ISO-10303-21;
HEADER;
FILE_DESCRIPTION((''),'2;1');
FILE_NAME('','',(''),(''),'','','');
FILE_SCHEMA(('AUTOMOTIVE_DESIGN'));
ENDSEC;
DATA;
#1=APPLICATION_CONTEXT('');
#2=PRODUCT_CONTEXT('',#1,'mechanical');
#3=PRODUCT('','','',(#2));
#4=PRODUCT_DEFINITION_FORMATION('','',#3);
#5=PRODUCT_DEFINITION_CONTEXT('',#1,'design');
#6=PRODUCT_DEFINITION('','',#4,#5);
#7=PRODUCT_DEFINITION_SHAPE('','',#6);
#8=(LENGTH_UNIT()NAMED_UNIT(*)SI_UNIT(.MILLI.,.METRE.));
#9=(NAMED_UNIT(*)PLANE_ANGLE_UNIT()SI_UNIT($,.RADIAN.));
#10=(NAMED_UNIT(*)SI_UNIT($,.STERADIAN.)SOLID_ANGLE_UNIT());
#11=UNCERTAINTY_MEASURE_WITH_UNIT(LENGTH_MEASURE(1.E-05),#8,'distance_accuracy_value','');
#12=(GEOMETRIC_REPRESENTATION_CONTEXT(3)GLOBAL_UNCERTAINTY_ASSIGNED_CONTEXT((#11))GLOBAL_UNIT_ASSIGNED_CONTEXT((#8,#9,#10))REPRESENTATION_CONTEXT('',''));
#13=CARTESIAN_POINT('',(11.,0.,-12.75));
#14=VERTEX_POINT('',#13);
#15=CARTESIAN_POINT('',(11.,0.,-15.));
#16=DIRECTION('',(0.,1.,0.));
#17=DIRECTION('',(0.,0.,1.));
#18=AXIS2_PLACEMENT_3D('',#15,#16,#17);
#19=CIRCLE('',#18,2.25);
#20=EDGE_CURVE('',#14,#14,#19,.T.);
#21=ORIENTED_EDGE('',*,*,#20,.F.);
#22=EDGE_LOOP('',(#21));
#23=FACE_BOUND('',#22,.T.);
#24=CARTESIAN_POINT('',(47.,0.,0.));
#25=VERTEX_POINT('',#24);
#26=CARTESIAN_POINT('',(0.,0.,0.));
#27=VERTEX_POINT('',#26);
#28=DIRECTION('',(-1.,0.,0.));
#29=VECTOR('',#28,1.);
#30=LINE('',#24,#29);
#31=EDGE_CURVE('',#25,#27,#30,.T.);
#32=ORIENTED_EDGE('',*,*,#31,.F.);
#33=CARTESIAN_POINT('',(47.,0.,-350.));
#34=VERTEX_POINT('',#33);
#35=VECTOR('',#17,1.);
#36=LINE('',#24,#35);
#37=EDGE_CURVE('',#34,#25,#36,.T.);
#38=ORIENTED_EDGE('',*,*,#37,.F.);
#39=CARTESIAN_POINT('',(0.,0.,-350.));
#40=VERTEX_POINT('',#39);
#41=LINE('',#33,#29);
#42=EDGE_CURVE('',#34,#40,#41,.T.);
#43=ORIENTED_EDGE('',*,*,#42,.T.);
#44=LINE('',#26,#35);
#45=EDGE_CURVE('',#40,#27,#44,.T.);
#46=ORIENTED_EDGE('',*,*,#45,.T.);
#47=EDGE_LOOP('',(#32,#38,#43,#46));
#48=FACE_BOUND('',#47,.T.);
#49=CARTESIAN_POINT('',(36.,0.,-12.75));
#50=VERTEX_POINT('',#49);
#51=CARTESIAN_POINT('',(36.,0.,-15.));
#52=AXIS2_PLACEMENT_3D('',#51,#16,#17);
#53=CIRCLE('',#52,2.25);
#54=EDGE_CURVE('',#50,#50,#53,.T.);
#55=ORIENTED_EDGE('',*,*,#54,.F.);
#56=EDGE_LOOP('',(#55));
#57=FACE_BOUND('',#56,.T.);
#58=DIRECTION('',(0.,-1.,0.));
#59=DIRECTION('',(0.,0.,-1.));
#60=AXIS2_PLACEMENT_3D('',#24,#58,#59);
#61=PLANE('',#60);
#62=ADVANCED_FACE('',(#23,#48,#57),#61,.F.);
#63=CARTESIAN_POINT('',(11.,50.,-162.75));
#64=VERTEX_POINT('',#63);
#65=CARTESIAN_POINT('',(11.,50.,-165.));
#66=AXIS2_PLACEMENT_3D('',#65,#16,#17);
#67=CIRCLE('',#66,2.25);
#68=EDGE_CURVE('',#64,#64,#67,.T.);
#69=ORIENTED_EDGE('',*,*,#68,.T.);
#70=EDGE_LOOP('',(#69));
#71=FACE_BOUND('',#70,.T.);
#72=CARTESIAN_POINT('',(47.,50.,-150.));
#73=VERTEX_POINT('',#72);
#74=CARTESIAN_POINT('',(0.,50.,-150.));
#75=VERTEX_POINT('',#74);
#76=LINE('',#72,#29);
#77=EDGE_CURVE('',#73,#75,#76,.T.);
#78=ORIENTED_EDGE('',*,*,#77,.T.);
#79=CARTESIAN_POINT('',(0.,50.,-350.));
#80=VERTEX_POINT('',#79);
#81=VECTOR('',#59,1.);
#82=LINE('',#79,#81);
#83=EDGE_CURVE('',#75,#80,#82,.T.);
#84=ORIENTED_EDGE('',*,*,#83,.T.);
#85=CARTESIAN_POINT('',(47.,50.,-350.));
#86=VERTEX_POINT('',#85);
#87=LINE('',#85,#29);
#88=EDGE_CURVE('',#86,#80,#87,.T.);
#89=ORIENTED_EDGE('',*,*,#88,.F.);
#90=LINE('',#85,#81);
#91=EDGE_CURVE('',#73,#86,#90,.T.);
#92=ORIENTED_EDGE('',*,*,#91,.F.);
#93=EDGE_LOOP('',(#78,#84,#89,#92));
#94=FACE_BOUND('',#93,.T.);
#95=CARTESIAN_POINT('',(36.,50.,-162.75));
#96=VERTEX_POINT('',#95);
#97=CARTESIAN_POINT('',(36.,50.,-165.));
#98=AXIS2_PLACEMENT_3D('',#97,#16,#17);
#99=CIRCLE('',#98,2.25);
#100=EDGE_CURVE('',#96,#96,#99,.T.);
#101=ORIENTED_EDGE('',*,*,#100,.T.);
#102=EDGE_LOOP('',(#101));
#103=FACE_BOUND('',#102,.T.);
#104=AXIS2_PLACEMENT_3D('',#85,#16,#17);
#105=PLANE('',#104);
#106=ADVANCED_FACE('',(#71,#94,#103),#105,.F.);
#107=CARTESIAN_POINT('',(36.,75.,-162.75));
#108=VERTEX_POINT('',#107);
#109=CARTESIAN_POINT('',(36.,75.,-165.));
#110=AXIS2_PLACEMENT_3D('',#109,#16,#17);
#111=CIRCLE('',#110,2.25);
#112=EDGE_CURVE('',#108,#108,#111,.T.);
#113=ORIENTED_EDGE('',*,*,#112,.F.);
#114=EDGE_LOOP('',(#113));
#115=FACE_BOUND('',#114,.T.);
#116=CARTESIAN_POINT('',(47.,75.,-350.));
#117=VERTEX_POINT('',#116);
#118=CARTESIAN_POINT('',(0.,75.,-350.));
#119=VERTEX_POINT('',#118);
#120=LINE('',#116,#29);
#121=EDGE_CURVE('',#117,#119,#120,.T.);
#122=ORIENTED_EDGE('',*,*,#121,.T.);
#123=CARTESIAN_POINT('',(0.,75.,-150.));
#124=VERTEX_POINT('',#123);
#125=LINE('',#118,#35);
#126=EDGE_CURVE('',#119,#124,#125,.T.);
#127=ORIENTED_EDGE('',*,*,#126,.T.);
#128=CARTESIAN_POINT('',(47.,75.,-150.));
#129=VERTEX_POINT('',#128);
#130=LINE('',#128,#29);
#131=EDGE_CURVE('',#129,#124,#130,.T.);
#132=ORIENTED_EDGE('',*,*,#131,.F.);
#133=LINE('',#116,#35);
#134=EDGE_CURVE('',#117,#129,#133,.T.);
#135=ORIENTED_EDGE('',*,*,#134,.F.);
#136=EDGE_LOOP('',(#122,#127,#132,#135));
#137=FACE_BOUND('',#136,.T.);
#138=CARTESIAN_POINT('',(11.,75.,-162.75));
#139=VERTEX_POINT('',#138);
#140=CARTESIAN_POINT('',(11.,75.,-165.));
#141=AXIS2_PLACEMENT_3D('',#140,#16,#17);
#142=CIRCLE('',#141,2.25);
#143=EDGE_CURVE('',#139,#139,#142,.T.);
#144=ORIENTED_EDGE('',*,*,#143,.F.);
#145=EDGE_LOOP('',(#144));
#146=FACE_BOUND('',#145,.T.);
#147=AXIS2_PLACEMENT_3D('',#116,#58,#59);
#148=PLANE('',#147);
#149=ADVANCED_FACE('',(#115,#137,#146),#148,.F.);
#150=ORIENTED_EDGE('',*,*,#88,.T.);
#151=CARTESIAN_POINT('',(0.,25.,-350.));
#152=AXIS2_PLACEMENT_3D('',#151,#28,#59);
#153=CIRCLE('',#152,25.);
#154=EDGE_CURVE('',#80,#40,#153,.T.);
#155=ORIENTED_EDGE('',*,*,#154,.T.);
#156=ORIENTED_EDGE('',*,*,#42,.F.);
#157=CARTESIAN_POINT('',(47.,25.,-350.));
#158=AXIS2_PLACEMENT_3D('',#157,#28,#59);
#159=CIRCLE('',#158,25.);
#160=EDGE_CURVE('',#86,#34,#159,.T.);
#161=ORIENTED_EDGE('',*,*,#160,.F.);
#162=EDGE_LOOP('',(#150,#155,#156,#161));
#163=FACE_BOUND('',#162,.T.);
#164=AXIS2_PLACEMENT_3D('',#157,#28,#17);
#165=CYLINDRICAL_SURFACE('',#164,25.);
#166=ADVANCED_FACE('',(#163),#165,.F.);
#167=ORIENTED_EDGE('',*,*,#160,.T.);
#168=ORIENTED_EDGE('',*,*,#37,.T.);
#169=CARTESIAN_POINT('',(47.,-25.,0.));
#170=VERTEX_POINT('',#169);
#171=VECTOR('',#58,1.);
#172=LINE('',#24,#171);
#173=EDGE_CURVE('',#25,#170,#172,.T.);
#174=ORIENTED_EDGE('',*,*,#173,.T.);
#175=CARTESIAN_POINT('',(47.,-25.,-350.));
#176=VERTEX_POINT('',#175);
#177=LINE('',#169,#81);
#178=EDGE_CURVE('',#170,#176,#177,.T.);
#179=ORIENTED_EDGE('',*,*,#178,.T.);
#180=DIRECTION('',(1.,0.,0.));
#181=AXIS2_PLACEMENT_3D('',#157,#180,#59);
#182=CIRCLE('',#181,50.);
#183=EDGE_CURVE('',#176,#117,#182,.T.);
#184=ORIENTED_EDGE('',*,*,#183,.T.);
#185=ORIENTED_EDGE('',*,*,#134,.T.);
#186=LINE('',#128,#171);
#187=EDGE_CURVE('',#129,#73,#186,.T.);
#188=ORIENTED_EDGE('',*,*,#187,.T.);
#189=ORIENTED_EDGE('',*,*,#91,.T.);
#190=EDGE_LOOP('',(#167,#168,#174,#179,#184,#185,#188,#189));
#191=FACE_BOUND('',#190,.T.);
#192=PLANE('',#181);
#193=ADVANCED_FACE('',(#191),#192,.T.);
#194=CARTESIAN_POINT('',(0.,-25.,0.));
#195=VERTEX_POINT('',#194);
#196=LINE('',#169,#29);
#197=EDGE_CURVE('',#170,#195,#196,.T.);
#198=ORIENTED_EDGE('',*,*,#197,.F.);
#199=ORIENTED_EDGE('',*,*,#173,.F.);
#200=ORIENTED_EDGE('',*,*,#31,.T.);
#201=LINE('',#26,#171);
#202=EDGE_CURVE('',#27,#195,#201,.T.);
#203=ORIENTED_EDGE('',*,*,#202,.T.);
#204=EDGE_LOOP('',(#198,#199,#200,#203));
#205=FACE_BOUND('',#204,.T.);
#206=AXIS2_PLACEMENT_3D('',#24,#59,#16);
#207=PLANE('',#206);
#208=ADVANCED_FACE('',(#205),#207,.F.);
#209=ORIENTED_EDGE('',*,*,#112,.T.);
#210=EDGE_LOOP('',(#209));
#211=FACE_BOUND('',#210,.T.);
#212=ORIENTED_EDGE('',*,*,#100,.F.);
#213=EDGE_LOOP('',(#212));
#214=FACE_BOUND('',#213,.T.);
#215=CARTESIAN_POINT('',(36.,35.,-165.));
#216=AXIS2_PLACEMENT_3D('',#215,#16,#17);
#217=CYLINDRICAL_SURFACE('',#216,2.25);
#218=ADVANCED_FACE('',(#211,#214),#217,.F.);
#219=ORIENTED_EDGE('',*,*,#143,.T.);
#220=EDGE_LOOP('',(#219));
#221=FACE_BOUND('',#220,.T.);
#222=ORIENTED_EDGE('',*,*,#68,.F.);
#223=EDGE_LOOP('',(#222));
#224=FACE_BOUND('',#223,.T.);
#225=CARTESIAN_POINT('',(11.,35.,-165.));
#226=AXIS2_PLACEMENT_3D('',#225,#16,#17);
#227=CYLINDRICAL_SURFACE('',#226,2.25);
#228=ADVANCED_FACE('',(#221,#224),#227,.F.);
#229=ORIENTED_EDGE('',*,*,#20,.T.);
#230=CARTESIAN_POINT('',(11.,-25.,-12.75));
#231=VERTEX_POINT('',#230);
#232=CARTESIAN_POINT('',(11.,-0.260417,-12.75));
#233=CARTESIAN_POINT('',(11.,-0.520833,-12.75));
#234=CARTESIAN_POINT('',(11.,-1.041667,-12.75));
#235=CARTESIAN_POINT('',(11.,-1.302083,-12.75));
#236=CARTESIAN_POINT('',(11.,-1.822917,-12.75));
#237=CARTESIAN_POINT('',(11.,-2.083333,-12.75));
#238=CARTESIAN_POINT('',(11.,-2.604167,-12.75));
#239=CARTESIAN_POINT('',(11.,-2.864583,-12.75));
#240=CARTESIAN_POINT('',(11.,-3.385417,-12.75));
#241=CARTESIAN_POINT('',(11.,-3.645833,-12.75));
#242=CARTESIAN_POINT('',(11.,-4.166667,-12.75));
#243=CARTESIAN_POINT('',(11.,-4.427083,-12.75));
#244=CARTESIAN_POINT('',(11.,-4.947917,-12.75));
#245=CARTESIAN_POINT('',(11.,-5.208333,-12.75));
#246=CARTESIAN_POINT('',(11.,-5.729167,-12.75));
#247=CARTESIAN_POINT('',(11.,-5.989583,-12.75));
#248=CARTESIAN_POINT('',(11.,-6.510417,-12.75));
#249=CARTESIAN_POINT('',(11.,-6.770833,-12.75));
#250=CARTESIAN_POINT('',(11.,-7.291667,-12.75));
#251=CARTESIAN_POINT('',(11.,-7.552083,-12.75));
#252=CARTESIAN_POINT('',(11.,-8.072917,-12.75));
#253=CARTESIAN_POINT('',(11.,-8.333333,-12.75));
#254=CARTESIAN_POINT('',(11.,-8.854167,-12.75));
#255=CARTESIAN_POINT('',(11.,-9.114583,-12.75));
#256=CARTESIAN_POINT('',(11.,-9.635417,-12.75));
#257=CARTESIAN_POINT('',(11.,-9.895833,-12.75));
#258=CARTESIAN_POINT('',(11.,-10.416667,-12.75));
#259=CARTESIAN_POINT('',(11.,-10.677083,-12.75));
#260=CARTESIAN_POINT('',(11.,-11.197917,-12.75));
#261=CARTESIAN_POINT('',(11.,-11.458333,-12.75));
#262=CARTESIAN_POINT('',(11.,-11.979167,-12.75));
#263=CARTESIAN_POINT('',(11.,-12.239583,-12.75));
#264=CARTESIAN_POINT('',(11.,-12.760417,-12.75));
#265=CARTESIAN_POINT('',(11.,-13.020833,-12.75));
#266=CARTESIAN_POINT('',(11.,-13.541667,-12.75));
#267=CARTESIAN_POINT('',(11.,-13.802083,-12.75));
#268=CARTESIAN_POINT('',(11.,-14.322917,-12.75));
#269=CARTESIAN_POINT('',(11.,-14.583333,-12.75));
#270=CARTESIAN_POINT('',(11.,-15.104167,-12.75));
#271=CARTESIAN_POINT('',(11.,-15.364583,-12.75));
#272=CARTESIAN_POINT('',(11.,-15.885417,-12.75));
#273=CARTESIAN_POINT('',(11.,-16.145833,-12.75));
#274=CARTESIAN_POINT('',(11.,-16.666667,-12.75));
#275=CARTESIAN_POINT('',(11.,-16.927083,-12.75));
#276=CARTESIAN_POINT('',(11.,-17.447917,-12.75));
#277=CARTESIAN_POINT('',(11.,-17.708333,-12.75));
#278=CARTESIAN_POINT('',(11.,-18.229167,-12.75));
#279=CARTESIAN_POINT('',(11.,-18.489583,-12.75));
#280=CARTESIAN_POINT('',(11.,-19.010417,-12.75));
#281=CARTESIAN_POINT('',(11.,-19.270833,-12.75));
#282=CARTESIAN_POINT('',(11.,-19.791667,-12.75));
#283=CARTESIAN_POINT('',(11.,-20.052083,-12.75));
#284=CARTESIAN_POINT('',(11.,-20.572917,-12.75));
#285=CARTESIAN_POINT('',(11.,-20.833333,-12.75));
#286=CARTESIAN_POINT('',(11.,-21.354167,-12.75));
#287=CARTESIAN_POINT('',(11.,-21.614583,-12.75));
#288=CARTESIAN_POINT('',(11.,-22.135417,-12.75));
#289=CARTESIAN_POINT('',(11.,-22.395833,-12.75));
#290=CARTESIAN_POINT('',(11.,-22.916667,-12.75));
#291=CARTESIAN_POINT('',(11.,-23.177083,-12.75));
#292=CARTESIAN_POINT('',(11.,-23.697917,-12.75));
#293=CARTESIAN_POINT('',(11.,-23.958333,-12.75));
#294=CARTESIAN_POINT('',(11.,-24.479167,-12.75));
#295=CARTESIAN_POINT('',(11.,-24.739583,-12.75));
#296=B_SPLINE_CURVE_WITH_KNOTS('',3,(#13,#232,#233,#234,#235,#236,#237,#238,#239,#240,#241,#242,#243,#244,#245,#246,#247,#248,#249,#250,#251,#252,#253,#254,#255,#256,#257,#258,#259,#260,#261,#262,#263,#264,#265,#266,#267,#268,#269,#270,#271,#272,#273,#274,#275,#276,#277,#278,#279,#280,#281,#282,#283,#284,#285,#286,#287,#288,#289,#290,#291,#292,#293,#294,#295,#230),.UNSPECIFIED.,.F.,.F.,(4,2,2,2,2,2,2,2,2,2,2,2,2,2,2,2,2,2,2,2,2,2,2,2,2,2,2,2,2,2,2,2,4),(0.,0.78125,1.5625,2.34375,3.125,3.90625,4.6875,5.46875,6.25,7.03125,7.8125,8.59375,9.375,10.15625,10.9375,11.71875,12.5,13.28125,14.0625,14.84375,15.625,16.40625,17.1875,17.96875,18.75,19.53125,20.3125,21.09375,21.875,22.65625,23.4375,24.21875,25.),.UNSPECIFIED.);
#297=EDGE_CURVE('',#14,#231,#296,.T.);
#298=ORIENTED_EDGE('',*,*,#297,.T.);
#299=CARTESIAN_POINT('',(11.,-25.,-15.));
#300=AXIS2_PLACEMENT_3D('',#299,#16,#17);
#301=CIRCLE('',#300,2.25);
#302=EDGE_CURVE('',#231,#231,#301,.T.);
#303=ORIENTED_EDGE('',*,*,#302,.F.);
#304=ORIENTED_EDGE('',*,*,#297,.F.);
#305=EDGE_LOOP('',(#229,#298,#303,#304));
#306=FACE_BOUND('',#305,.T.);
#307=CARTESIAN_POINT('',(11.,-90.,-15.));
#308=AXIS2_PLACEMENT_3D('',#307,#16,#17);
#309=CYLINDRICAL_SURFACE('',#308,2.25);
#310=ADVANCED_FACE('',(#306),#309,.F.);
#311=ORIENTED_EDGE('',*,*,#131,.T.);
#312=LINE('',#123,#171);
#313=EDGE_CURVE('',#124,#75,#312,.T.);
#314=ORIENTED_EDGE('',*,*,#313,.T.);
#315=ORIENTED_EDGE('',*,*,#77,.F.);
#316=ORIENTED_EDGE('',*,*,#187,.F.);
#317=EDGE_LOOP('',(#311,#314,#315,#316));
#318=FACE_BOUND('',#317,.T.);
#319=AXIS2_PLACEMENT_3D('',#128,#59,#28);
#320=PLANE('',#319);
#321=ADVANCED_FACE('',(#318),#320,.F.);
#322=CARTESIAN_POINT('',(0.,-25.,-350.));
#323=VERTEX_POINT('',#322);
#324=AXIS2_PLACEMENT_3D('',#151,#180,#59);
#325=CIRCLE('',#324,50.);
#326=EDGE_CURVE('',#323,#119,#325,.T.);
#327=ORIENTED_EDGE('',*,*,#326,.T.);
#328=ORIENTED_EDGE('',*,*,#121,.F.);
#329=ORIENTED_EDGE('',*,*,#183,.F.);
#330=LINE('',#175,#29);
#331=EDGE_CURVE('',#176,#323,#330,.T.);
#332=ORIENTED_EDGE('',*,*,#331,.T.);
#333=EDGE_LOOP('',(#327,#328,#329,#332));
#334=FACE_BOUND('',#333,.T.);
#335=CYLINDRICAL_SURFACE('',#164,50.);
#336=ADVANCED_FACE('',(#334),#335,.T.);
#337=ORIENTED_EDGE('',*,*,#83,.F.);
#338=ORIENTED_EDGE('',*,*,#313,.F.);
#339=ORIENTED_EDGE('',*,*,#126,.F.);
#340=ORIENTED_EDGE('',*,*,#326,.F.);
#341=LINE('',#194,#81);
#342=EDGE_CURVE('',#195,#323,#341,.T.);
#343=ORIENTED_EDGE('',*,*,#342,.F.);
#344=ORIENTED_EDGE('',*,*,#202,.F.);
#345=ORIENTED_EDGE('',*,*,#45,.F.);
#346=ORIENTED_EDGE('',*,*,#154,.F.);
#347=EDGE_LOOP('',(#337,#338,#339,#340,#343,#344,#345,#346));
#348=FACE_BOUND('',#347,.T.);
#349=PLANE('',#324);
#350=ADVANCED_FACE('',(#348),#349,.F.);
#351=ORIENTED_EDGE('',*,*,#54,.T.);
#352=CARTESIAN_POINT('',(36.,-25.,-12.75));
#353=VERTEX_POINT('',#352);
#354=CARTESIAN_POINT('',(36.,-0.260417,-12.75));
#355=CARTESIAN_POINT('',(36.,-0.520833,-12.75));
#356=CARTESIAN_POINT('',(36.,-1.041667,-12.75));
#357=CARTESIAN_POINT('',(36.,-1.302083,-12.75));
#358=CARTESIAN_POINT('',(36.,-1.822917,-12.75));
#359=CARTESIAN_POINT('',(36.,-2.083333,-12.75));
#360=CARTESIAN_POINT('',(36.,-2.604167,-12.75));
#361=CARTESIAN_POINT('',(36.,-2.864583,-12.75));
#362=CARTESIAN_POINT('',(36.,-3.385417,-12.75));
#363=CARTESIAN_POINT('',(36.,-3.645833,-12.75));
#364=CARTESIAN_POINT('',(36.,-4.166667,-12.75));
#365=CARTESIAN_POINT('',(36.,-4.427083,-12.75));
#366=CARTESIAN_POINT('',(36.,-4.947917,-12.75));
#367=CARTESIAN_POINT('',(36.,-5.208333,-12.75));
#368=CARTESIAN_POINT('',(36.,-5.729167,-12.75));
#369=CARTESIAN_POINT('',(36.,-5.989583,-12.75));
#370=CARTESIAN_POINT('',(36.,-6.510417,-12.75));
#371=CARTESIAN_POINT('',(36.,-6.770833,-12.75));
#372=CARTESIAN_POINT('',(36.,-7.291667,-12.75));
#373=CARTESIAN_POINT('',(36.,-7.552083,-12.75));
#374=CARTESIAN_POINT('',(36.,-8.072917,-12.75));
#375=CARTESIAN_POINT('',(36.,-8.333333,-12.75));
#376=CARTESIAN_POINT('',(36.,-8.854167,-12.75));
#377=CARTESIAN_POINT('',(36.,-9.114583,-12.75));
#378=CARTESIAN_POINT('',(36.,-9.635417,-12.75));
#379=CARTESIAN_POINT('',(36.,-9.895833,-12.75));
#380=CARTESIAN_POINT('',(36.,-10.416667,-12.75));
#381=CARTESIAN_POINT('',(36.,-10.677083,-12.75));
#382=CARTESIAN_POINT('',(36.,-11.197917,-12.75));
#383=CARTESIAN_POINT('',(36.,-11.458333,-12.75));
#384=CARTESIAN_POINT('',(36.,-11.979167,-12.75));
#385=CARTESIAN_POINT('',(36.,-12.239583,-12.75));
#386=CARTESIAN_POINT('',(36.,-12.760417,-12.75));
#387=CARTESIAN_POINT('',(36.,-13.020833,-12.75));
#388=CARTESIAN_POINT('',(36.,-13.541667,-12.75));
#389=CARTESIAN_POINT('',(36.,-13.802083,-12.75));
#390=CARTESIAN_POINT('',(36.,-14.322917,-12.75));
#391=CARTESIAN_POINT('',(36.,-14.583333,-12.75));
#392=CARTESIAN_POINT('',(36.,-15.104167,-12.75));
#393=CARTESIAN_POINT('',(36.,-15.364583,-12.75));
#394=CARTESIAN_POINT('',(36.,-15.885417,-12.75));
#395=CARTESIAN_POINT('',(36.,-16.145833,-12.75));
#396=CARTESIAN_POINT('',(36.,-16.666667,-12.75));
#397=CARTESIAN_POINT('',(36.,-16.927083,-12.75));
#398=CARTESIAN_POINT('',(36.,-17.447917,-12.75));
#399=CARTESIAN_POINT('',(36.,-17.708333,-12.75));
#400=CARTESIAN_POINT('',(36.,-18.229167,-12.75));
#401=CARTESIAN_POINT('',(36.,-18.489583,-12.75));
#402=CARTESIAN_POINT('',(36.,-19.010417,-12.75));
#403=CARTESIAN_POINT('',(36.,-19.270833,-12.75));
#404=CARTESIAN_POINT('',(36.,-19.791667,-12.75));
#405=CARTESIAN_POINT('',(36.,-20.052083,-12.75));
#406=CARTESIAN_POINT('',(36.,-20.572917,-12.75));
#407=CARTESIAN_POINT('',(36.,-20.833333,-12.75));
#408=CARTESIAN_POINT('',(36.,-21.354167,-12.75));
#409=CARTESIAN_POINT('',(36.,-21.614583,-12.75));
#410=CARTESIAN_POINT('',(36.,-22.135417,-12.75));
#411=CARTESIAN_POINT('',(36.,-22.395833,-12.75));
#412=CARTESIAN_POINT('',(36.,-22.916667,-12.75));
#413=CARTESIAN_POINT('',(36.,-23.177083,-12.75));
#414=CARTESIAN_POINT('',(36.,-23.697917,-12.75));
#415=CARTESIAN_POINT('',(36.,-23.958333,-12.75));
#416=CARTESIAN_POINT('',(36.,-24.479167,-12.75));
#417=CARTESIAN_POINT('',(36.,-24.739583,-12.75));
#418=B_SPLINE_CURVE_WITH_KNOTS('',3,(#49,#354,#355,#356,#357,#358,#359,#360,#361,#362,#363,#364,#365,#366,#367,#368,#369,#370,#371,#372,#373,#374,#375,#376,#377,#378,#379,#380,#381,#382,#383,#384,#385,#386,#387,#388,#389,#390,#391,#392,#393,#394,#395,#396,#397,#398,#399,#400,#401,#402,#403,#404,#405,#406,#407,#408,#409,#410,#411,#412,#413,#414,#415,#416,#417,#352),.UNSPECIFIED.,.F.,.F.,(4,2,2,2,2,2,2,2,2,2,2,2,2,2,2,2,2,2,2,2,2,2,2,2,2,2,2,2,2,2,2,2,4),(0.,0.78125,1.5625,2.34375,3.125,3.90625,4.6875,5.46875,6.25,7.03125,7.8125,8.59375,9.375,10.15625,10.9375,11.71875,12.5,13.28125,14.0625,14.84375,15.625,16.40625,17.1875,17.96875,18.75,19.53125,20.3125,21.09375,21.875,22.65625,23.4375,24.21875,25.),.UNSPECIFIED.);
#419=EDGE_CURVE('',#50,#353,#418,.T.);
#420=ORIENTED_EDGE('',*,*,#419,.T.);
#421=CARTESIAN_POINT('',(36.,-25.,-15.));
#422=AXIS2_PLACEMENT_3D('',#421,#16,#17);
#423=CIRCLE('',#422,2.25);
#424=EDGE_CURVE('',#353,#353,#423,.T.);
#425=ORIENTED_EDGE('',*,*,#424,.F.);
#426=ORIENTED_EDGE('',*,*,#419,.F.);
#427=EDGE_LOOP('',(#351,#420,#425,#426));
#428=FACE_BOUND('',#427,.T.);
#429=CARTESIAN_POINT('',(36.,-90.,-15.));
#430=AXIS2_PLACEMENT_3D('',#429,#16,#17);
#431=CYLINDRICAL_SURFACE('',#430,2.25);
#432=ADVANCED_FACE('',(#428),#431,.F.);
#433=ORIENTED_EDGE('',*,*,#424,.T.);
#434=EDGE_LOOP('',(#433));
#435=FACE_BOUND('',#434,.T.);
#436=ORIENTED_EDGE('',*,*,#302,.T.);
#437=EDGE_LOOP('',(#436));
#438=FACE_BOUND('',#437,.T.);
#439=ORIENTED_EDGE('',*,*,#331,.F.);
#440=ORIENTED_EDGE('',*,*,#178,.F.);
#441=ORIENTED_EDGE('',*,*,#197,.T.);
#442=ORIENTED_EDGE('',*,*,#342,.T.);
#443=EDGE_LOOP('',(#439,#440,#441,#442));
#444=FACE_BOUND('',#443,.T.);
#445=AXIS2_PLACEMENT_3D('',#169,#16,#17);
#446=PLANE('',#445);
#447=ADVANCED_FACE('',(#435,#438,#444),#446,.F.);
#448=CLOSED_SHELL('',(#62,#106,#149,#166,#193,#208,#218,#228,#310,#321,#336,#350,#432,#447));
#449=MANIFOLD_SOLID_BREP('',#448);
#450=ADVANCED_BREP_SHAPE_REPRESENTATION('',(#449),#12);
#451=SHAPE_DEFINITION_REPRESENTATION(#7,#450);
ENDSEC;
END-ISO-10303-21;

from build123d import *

# Parameters (mm, degrees)
EXTRUDE_1_DEPTH     = 47
SKETCH_2_R          = 2.25
CUT_EXTRUDE_1_DEPTH = 90
SKETCH_3_R          = 2.25
CUT_EXTRUDE_2_DEPTH = 40


with BuildPart() as part:
    # 草图1 → 凸台-拉伸1 (new body)
    with BuildSketch(Plane(origin=(0, 0, 0), x_dir=(0, 0, -1), z_dir=(1, 0, 0))):
        with BuildLine():
            Line((0, 0), (350, 0))
            ThreePointArc((350, 0), (375, 25), (350, 50))
            Line((350, 50), (150, 50))
            Line((150, 50), (150, 75))
            Line((150, 75), (350, 75))
            ThreePointArc((350, 75), (400, 25), (350, -25))
            Line((350, -25), (0, -25))
            Line((0, -25), (0, 0))
        make_face()
    extrude(amount=EXTRUDE_1_DEPTH)

    # 草图2 → 切除-拉伸1 (cut)
    with BuildSketch(Plane(origin=(0, 0, 0), x_dir=(1, 0, 0), z_dir=(0, 1, 0))):
        with Locations(Location((36, 15, 0), (0, 0, 270))):
            Circle(SKETCH_2_R)
        with Locations(Location((11, 15, 0), (0, 0, 270))):
            Circle(SKETCH_2_R)
    extrude(amount=-CUT_EXTRUDE_1_DEPTH, mode=Mode.SUBTRACT)

    # 草图3 → 切除-拉伸2 (cut)
    with BuildSketch(Plane(origin=(0, 75, 0), x_dir=(1, 0, 0), z_dir=(0, 1, 0))):
        with Locations(Location((11, 165, 0), (0, 0, 270))):
            Circle(SKETCH_3_R)
        with Locations(Location((36, 165, 0), (0, 0, 270))):
            Circle(SKETCH_3_R)
    extrude(amount=-CUT_EXTRUDE_2_DEPTH, mode=Mode.SUBTRACT)


solid = part.part
